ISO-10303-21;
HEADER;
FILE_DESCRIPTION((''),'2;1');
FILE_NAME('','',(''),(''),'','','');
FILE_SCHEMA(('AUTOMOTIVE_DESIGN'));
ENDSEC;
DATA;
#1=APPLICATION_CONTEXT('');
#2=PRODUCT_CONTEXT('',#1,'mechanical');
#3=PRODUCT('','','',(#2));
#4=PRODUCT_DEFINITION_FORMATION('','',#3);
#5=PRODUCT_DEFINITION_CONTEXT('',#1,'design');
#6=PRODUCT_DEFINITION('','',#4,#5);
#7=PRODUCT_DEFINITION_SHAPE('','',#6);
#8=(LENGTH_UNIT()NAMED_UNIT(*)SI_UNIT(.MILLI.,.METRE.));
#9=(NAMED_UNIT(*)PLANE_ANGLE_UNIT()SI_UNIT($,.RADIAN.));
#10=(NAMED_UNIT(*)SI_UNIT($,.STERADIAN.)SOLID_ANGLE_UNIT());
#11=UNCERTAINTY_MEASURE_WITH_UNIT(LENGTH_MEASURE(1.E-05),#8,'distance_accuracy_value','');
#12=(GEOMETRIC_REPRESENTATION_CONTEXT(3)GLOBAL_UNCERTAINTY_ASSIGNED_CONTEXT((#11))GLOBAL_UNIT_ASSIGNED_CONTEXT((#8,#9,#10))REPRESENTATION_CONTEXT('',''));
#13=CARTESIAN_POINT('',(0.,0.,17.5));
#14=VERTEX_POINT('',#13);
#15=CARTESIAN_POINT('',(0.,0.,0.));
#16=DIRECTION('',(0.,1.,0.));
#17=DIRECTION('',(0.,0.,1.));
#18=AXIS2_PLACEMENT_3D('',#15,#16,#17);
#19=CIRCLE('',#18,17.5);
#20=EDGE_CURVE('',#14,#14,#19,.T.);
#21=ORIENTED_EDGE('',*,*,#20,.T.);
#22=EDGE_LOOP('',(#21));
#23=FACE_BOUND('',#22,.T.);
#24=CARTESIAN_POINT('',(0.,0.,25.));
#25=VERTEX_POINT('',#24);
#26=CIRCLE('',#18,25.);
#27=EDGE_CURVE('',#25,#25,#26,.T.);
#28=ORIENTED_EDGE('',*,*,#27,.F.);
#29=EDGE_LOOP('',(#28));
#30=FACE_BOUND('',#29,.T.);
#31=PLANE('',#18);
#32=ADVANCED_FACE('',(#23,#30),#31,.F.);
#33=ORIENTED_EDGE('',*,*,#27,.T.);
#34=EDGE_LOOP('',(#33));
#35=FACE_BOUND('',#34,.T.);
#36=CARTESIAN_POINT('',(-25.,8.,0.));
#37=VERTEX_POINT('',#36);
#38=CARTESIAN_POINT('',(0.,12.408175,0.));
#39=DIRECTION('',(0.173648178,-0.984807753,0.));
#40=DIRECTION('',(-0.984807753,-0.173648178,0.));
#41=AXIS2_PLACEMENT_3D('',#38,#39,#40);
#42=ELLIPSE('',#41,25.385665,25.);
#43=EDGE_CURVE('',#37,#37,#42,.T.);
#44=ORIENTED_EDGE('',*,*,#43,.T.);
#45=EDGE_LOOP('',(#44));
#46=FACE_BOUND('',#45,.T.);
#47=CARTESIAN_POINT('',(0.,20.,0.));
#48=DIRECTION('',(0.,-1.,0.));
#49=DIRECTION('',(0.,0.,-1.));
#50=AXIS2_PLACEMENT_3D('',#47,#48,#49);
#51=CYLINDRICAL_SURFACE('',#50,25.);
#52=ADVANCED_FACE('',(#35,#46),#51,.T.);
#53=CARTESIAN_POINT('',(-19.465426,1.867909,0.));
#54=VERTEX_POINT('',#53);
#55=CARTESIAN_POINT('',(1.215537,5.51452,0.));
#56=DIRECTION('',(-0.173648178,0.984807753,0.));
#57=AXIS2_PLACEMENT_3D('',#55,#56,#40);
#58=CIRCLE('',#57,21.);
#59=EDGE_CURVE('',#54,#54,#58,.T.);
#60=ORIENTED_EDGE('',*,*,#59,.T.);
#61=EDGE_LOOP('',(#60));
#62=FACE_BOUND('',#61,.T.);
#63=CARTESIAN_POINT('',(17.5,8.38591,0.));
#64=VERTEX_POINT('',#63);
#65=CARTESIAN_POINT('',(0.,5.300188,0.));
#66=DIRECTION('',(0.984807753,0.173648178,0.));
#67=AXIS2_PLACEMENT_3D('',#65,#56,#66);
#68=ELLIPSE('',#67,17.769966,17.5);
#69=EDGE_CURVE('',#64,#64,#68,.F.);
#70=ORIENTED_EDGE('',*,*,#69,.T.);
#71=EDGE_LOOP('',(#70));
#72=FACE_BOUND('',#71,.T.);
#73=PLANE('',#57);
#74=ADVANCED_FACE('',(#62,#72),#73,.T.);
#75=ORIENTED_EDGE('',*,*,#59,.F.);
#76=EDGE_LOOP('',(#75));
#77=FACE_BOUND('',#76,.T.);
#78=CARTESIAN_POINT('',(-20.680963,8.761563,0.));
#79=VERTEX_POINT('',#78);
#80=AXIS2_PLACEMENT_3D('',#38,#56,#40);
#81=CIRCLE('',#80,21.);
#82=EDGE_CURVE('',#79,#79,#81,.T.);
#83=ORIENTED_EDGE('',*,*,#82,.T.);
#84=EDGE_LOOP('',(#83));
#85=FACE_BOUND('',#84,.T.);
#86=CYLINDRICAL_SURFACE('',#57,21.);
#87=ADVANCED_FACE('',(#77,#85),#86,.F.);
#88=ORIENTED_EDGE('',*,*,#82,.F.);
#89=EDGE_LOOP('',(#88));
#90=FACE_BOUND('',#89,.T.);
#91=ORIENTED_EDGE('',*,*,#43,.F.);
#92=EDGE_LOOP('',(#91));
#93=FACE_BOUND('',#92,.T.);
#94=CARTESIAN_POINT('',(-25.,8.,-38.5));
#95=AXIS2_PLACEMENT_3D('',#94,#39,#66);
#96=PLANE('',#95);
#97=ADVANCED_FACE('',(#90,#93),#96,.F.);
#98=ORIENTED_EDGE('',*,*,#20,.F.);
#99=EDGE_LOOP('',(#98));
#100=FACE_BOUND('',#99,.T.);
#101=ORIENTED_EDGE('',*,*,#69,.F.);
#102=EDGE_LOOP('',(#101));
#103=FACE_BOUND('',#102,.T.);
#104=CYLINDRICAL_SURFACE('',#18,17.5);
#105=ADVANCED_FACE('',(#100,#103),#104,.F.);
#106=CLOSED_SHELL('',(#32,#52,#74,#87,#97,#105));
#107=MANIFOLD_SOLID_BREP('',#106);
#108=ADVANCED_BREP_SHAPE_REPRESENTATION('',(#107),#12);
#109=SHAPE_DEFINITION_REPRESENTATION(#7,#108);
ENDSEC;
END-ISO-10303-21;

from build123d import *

# Parameters (mm, degrees)
SKETCH_1_R          = 25
EXTRUDE_1_DEPTH     = 20
SKETCH_2_R          = 17.5
CUT_EXTRUDE_1_DEPTH = 20
CUT_EXTRUDE_2_DEPTH = 38.5
SKETCH_4_R          = 21
CUT_EXTRUDE_3_DEPTH = 7


with BuildPart() as part:
    # 草图1 → 凸台-拉伸1 (new body)
    with BuildSketch(Plane(origin=(0, 0, 0), x_dir=(1, 0, 0), z_dir=(0, 1, 0))):
        Circle(SKETCH_1_R)
    extrude(amount=EXTRUDE_1_DEPTH)

    # 草图2 → 切除-拉伸1 (cut)
    with BuildSketch(Plane(origin=(0, 20, 0), x_dir=(1, 0, 0), z_dir=(0, 1, 0))):
        Circle(SKETCH_2_R)
    extrude(amount=-CUT_EXTRUDE_1_DEPTH, mode=Mode.SUBTRACT)

    # 草图3 → 切除-拉伸2 (cut, symmetric)
    with BuildSketch(Plane.XY):
        Polygon((-25, 8), (27.395295658, 17.238704287), (27.258418327, 39.934275436), (-34.828449814, 34.256390163), align=None)
    extrude(amount=CUT_EXTRUDE_2_DEPTH, both=True, mode=Mode.SUBTRACT)

    # 草图4 → 切除-拉伸3 (cut)
    with BuildSketch(Plane(origin=(-2.121922813, 12.034022275, 0), x_dir=(0.984807753, 0.173648178, 0), z_dir=(-0.173648178, 0.984807753, 0))):
        with Locations((2.154656893, 0)):
            Circle(SKETCH_4_R)
    extrude(amount=-CUT_EXTRUDE_3_DEPTH, mode=Mode.SUBTRACT)


solid = part.part
